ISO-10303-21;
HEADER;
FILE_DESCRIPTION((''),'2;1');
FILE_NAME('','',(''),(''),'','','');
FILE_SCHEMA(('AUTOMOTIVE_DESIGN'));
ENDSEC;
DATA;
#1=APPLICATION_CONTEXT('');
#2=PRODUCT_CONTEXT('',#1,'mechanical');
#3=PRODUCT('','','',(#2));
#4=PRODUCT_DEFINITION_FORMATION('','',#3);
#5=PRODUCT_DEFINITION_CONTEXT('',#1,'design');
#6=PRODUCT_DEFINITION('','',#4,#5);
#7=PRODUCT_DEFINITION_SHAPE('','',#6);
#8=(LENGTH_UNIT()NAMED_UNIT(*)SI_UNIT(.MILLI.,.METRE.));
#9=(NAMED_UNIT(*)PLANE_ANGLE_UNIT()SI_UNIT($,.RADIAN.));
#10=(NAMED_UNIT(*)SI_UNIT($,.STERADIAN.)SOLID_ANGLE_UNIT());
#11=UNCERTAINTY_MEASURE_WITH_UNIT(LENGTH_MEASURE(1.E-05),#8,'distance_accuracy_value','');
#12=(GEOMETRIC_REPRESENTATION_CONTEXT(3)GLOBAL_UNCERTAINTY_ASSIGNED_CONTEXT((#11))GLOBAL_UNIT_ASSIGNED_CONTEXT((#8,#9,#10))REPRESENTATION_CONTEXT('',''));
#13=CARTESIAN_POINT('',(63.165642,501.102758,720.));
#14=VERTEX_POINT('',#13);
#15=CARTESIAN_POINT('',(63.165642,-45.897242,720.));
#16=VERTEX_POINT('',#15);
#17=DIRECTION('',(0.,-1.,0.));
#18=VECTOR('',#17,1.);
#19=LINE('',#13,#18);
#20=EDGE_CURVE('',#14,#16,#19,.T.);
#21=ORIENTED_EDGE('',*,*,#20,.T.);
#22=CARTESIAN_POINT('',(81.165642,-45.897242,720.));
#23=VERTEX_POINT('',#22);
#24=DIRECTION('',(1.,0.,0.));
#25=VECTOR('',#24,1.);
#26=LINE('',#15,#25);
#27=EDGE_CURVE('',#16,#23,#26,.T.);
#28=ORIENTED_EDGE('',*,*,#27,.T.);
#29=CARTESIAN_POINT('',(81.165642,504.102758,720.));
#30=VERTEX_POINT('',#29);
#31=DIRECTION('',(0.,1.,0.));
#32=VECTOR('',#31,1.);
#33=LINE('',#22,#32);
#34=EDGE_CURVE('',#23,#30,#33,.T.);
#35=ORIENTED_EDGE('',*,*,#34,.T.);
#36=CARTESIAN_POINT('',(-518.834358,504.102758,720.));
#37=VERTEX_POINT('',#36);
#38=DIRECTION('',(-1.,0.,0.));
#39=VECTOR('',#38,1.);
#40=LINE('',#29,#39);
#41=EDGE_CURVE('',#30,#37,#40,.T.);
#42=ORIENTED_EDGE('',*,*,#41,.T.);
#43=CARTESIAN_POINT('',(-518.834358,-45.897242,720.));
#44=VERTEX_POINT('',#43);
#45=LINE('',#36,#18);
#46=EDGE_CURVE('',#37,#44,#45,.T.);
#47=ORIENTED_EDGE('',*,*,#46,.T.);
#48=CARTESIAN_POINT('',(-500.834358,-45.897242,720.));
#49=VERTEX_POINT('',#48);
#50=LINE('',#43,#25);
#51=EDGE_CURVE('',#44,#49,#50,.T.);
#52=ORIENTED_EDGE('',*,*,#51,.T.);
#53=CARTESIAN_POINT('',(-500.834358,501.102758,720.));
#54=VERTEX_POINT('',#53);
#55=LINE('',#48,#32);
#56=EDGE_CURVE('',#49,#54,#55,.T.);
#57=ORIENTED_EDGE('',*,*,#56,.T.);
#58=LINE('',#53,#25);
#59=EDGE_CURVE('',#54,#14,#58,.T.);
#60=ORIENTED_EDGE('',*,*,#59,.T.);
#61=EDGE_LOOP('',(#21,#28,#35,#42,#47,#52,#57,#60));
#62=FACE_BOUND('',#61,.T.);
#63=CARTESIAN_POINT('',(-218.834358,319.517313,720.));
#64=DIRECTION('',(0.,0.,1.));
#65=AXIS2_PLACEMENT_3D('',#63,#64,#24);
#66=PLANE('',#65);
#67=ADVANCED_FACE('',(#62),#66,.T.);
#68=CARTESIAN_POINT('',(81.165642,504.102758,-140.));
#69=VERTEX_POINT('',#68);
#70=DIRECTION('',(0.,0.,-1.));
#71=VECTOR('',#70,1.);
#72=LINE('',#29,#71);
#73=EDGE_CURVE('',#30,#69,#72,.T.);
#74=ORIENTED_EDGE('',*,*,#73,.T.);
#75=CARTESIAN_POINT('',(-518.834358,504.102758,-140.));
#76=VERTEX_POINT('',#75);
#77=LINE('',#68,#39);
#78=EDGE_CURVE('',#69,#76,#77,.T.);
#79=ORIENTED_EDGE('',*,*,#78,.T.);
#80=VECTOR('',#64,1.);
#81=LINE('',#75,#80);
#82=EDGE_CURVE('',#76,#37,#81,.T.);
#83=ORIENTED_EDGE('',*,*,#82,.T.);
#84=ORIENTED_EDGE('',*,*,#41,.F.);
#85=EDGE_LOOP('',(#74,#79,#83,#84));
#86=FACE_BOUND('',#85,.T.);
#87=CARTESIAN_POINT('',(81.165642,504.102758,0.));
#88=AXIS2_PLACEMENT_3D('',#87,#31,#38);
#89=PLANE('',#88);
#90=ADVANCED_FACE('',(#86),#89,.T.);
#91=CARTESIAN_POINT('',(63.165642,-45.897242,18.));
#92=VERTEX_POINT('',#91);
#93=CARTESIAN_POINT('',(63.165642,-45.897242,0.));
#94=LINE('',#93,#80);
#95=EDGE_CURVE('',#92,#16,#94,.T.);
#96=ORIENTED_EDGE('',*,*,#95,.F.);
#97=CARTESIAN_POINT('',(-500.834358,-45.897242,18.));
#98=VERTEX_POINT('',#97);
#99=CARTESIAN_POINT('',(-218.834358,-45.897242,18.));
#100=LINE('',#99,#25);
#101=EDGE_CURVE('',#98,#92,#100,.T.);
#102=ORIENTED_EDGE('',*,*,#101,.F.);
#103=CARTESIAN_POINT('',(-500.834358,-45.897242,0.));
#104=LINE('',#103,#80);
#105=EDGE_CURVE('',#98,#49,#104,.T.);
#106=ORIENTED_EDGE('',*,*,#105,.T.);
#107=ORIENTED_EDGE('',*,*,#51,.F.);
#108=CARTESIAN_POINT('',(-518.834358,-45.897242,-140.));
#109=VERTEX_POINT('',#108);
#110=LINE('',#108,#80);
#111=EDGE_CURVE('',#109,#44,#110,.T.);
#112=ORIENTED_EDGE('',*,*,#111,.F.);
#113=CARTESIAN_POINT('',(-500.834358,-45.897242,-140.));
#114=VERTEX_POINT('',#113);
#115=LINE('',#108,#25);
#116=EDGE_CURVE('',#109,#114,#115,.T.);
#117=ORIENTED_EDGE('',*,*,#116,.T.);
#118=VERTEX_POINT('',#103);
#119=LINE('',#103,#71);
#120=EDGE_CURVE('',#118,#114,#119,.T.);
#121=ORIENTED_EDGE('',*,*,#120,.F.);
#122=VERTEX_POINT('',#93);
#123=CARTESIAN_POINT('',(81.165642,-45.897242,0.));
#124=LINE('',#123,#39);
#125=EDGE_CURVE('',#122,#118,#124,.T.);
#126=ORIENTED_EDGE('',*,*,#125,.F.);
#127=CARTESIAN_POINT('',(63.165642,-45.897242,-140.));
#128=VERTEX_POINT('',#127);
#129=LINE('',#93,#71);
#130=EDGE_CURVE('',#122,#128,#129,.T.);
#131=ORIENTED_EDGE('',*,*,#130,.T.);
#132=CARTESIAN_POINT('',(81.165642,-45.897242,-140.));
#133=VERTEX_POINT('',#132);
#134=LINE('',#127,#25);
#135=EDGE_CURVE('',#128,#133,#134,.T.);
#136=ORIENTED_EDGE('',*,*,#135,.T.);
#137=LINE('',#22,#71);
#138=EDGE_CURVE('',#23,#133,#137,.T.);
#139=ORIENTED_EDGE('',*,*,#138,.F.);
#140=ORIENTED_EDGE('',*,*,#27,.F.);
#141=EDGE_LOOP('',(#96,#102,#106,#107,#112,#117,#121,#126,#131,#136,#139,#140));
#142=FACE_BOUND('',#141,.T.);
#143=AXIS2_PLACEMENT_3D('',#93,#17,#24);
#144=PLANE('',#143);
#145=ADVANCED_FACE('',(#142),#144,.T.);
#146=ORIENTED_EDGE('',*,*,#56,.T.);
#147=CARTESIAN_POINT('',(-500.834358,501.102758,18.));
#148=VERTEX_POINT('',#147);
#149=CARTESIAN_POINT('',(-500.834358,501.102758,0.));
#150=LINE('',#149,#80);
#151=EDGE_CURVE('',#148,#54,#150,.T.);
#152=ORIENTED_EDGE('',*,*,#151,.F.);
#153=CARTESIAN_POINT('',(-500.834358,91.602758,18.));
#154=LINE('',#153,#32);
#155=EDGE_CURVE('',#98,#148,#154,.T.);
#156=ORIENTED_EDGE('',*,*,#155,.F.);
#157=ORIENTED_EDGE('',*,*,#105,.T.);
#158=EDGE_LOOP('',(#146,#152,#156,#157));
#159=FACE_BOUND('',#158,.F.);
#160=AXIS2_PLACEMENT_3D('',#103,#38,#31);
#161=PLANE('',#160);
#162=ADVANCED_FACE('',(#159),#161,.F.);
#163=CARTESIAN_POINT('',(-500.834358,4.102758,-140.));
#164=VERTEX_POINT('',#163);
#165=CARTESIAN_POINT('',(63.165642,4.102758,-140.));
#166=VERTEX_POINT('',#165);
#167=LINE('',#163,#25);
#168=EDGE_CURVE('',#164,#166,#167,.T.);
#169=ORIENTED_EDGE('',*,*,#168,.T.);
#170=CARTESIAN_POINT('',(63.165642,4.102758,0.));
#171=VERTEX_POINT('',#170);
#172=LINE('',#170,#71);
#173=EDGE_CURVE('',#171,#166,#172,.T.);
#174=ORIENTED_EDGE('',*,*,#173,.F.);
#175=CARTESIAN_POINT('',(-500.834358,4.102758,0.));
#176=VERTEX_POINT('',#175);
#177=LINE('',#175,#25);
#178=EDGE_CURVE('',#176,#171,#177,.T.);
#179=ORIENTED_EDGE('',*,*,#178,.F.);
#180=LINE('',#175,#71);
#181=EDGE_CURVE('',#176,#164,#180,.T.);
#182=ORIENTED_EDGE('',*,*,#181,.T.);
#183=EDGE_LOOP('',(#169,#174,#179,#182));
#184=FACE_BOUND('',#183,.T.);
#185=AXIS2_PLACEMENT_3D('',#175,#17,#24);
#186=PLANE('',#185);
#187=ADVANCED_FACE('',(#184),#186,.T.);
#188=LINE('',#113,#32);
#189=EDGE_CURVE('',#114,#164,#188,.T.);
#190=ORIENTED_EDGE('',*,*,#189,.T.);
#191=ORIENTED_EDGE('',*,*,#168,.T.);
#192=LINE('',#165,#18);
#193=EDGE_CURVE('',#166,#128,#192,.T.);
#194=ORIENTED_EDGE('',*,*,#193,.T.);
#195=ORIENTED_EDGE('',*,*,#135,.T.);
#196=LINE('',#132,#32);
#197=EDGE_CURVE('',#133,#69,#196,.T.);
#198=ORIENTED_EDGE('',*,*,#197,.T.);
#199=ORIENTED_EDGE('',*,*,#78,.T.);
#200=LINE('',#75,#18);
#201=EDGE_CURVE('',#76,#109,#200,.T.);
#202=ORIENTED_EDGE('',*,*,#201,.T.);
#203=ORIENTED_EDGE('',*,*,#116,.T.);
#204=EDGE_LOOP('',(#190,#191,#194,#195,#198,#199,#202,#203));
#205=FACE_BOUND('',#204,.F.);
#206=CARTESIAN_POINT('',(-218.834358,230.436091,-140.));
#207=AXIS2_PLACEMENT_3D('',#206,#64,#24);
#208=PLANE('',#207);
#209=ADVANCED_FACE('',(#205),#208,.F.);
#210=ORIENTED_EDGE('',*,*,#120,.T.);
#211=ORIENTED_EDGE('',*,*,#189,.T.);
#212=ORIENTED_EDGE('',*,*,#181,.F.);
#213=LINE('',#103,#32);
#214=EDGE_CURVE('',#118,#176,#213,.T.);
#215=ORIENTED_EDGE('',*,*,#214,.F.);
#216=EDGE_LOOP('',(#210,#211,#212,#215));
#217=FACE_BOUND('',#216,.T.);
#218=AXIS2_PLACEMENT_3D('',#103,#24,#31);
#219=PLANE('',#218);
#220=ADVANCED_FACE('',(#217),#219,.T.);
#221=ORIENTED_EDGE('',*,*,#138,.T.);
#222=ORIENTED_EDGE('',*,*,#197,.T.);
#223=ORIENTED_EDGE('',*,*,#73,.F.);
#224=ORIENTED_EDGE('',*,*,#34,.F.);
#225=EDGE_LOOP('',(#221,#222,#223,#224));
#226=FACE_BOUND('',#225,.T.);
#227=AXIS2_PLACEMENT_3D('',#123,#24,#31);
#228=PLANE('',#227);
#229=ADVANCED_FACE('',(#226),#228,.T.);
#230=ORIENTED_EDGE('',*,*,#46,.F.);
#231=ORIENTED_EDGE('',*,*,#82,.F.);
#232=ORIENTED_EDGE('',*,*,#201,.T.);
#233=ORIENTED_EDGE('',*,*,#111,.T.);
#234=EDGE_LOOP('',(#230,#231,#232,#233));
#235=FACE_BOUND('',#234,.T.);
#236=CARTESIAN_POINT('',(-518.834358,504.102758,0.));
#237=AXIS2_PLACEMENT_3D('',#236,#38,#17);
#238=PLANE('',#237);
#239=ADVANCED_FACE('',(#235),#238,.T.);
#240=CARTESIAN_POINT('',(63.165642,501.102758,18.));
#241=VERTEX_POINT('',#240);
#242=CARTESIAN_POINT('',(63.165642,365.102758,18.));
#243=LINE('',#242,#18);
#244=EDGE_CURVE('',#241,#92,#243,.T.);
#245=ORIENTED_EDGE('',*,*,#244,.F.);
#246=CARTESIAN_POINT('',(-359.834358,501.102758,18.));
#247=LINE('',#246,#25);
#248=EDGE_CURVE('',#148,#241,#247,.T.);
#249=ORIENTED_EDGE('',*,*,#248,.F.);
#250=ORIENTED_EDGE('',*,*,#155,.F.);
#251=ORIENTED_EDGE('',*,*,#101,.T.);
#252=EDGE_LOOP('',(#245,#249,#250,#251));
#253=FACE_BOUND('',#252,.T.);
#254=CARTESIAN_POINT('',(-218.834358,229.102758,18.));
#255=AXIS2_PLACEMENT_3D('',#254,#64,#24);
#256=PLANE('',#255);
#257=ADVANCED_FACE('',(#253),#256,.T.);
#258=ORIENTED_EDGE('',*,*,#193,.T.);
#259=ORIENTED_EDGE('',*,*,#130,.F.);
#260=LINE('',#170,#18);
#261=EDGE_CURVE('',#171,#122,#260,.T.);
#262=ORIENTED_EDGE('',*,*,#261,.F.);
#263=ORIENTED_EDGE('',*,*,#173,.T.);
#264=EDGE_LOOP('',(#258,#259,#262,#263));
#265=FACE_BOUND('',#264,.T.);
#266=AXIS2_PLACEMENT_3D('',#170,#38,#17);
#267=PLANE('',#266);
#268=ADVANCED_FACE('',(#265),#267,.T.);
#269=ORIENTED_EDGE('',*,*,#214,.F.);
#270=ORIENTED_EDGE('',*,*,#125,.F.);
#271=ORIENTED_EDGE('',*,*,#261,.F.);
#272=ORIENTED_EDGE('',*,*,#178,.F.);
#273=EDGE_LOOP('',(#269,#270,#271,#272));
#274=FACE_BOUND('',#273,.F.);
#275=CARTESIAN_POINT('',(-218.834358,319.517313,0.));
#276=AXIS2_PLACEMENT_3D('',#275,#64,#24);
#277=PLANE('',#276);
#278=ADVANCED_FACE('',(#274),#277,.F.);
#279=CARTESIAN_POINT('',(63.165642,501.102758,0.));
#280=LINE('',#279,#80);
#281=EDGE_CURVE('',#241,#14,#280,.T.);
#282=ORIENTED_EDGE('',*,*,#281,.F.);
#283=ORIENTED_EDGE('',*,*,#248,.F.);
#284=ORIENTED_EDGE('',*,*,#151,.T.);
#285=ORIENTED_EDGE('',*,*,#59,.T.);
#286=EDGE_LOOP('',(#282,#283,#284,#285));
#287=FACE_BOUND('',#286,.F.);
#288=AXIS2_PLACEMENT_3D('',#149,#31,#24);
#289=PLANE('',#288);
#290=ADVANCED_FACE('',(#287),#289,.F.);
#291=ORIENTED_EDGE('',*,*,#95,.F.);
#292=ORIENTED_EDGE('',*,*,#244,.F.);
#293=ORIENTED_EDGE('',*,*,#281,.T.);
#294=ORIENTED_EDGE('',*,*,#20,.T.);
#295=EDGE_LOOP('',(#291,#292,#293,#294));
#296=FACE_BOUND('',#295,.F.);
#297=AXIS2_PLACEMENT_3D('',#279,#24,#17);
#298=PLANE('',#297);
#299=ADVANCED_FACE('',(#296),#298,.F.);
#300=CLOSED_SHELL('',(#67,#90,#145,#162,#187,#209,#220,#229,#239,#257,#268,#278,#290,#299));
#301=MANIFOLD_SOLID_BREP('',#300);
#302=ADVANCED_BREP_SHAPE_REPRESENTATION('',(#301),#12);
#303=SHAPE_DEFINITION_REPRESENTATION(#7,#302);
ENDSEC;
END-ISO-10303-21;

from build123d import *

# Parameters (mm, degrees)
F2_DEPTH = 720
F1_W     = 600
F1_H     = 550
F3_DEPTH = 18
F5_DEPTH = 140


with BuildPart() as f2:
    # F0 (on Top) → F2 (new body)
    with BuildSketch(Plane.XY):
        Polygon((81.165642, 504.102758), (-518.834358, 504.102758), (-518.834358, -45.897242), (-500.834358, -45.897242), (-500.834358, 501.102758), (63.165642, 501.102758), (63.165642, -45.897242), (81.165642, -45.897242), align=None)
    extrude(amount=F2_DEPTH)

    # F1 (on Top) → F3 (join)
    with BuildSketch(Plane.XY):
        with Locations((-218.834358, 229.102758)):
            Rectangle(F1_W, F1_H)
    extrude(amount=F3_DEPTH)

    # F4 (on Top) → F5 (join)
    with BuildSketch(Plane.XY):
        Polygon((81.165642, 504.102758), (-518.834358, 504.102758), (-518.834358, -45.897242), (-500.834358, -45.897242), (-500.834358, 4.102758), (63.165642, 4.102758), (63.165642, -45.897242), (81.165642, -45.897242), align=None)
    extrude(amount=-F5_DEPTH)


solid = f2.part
